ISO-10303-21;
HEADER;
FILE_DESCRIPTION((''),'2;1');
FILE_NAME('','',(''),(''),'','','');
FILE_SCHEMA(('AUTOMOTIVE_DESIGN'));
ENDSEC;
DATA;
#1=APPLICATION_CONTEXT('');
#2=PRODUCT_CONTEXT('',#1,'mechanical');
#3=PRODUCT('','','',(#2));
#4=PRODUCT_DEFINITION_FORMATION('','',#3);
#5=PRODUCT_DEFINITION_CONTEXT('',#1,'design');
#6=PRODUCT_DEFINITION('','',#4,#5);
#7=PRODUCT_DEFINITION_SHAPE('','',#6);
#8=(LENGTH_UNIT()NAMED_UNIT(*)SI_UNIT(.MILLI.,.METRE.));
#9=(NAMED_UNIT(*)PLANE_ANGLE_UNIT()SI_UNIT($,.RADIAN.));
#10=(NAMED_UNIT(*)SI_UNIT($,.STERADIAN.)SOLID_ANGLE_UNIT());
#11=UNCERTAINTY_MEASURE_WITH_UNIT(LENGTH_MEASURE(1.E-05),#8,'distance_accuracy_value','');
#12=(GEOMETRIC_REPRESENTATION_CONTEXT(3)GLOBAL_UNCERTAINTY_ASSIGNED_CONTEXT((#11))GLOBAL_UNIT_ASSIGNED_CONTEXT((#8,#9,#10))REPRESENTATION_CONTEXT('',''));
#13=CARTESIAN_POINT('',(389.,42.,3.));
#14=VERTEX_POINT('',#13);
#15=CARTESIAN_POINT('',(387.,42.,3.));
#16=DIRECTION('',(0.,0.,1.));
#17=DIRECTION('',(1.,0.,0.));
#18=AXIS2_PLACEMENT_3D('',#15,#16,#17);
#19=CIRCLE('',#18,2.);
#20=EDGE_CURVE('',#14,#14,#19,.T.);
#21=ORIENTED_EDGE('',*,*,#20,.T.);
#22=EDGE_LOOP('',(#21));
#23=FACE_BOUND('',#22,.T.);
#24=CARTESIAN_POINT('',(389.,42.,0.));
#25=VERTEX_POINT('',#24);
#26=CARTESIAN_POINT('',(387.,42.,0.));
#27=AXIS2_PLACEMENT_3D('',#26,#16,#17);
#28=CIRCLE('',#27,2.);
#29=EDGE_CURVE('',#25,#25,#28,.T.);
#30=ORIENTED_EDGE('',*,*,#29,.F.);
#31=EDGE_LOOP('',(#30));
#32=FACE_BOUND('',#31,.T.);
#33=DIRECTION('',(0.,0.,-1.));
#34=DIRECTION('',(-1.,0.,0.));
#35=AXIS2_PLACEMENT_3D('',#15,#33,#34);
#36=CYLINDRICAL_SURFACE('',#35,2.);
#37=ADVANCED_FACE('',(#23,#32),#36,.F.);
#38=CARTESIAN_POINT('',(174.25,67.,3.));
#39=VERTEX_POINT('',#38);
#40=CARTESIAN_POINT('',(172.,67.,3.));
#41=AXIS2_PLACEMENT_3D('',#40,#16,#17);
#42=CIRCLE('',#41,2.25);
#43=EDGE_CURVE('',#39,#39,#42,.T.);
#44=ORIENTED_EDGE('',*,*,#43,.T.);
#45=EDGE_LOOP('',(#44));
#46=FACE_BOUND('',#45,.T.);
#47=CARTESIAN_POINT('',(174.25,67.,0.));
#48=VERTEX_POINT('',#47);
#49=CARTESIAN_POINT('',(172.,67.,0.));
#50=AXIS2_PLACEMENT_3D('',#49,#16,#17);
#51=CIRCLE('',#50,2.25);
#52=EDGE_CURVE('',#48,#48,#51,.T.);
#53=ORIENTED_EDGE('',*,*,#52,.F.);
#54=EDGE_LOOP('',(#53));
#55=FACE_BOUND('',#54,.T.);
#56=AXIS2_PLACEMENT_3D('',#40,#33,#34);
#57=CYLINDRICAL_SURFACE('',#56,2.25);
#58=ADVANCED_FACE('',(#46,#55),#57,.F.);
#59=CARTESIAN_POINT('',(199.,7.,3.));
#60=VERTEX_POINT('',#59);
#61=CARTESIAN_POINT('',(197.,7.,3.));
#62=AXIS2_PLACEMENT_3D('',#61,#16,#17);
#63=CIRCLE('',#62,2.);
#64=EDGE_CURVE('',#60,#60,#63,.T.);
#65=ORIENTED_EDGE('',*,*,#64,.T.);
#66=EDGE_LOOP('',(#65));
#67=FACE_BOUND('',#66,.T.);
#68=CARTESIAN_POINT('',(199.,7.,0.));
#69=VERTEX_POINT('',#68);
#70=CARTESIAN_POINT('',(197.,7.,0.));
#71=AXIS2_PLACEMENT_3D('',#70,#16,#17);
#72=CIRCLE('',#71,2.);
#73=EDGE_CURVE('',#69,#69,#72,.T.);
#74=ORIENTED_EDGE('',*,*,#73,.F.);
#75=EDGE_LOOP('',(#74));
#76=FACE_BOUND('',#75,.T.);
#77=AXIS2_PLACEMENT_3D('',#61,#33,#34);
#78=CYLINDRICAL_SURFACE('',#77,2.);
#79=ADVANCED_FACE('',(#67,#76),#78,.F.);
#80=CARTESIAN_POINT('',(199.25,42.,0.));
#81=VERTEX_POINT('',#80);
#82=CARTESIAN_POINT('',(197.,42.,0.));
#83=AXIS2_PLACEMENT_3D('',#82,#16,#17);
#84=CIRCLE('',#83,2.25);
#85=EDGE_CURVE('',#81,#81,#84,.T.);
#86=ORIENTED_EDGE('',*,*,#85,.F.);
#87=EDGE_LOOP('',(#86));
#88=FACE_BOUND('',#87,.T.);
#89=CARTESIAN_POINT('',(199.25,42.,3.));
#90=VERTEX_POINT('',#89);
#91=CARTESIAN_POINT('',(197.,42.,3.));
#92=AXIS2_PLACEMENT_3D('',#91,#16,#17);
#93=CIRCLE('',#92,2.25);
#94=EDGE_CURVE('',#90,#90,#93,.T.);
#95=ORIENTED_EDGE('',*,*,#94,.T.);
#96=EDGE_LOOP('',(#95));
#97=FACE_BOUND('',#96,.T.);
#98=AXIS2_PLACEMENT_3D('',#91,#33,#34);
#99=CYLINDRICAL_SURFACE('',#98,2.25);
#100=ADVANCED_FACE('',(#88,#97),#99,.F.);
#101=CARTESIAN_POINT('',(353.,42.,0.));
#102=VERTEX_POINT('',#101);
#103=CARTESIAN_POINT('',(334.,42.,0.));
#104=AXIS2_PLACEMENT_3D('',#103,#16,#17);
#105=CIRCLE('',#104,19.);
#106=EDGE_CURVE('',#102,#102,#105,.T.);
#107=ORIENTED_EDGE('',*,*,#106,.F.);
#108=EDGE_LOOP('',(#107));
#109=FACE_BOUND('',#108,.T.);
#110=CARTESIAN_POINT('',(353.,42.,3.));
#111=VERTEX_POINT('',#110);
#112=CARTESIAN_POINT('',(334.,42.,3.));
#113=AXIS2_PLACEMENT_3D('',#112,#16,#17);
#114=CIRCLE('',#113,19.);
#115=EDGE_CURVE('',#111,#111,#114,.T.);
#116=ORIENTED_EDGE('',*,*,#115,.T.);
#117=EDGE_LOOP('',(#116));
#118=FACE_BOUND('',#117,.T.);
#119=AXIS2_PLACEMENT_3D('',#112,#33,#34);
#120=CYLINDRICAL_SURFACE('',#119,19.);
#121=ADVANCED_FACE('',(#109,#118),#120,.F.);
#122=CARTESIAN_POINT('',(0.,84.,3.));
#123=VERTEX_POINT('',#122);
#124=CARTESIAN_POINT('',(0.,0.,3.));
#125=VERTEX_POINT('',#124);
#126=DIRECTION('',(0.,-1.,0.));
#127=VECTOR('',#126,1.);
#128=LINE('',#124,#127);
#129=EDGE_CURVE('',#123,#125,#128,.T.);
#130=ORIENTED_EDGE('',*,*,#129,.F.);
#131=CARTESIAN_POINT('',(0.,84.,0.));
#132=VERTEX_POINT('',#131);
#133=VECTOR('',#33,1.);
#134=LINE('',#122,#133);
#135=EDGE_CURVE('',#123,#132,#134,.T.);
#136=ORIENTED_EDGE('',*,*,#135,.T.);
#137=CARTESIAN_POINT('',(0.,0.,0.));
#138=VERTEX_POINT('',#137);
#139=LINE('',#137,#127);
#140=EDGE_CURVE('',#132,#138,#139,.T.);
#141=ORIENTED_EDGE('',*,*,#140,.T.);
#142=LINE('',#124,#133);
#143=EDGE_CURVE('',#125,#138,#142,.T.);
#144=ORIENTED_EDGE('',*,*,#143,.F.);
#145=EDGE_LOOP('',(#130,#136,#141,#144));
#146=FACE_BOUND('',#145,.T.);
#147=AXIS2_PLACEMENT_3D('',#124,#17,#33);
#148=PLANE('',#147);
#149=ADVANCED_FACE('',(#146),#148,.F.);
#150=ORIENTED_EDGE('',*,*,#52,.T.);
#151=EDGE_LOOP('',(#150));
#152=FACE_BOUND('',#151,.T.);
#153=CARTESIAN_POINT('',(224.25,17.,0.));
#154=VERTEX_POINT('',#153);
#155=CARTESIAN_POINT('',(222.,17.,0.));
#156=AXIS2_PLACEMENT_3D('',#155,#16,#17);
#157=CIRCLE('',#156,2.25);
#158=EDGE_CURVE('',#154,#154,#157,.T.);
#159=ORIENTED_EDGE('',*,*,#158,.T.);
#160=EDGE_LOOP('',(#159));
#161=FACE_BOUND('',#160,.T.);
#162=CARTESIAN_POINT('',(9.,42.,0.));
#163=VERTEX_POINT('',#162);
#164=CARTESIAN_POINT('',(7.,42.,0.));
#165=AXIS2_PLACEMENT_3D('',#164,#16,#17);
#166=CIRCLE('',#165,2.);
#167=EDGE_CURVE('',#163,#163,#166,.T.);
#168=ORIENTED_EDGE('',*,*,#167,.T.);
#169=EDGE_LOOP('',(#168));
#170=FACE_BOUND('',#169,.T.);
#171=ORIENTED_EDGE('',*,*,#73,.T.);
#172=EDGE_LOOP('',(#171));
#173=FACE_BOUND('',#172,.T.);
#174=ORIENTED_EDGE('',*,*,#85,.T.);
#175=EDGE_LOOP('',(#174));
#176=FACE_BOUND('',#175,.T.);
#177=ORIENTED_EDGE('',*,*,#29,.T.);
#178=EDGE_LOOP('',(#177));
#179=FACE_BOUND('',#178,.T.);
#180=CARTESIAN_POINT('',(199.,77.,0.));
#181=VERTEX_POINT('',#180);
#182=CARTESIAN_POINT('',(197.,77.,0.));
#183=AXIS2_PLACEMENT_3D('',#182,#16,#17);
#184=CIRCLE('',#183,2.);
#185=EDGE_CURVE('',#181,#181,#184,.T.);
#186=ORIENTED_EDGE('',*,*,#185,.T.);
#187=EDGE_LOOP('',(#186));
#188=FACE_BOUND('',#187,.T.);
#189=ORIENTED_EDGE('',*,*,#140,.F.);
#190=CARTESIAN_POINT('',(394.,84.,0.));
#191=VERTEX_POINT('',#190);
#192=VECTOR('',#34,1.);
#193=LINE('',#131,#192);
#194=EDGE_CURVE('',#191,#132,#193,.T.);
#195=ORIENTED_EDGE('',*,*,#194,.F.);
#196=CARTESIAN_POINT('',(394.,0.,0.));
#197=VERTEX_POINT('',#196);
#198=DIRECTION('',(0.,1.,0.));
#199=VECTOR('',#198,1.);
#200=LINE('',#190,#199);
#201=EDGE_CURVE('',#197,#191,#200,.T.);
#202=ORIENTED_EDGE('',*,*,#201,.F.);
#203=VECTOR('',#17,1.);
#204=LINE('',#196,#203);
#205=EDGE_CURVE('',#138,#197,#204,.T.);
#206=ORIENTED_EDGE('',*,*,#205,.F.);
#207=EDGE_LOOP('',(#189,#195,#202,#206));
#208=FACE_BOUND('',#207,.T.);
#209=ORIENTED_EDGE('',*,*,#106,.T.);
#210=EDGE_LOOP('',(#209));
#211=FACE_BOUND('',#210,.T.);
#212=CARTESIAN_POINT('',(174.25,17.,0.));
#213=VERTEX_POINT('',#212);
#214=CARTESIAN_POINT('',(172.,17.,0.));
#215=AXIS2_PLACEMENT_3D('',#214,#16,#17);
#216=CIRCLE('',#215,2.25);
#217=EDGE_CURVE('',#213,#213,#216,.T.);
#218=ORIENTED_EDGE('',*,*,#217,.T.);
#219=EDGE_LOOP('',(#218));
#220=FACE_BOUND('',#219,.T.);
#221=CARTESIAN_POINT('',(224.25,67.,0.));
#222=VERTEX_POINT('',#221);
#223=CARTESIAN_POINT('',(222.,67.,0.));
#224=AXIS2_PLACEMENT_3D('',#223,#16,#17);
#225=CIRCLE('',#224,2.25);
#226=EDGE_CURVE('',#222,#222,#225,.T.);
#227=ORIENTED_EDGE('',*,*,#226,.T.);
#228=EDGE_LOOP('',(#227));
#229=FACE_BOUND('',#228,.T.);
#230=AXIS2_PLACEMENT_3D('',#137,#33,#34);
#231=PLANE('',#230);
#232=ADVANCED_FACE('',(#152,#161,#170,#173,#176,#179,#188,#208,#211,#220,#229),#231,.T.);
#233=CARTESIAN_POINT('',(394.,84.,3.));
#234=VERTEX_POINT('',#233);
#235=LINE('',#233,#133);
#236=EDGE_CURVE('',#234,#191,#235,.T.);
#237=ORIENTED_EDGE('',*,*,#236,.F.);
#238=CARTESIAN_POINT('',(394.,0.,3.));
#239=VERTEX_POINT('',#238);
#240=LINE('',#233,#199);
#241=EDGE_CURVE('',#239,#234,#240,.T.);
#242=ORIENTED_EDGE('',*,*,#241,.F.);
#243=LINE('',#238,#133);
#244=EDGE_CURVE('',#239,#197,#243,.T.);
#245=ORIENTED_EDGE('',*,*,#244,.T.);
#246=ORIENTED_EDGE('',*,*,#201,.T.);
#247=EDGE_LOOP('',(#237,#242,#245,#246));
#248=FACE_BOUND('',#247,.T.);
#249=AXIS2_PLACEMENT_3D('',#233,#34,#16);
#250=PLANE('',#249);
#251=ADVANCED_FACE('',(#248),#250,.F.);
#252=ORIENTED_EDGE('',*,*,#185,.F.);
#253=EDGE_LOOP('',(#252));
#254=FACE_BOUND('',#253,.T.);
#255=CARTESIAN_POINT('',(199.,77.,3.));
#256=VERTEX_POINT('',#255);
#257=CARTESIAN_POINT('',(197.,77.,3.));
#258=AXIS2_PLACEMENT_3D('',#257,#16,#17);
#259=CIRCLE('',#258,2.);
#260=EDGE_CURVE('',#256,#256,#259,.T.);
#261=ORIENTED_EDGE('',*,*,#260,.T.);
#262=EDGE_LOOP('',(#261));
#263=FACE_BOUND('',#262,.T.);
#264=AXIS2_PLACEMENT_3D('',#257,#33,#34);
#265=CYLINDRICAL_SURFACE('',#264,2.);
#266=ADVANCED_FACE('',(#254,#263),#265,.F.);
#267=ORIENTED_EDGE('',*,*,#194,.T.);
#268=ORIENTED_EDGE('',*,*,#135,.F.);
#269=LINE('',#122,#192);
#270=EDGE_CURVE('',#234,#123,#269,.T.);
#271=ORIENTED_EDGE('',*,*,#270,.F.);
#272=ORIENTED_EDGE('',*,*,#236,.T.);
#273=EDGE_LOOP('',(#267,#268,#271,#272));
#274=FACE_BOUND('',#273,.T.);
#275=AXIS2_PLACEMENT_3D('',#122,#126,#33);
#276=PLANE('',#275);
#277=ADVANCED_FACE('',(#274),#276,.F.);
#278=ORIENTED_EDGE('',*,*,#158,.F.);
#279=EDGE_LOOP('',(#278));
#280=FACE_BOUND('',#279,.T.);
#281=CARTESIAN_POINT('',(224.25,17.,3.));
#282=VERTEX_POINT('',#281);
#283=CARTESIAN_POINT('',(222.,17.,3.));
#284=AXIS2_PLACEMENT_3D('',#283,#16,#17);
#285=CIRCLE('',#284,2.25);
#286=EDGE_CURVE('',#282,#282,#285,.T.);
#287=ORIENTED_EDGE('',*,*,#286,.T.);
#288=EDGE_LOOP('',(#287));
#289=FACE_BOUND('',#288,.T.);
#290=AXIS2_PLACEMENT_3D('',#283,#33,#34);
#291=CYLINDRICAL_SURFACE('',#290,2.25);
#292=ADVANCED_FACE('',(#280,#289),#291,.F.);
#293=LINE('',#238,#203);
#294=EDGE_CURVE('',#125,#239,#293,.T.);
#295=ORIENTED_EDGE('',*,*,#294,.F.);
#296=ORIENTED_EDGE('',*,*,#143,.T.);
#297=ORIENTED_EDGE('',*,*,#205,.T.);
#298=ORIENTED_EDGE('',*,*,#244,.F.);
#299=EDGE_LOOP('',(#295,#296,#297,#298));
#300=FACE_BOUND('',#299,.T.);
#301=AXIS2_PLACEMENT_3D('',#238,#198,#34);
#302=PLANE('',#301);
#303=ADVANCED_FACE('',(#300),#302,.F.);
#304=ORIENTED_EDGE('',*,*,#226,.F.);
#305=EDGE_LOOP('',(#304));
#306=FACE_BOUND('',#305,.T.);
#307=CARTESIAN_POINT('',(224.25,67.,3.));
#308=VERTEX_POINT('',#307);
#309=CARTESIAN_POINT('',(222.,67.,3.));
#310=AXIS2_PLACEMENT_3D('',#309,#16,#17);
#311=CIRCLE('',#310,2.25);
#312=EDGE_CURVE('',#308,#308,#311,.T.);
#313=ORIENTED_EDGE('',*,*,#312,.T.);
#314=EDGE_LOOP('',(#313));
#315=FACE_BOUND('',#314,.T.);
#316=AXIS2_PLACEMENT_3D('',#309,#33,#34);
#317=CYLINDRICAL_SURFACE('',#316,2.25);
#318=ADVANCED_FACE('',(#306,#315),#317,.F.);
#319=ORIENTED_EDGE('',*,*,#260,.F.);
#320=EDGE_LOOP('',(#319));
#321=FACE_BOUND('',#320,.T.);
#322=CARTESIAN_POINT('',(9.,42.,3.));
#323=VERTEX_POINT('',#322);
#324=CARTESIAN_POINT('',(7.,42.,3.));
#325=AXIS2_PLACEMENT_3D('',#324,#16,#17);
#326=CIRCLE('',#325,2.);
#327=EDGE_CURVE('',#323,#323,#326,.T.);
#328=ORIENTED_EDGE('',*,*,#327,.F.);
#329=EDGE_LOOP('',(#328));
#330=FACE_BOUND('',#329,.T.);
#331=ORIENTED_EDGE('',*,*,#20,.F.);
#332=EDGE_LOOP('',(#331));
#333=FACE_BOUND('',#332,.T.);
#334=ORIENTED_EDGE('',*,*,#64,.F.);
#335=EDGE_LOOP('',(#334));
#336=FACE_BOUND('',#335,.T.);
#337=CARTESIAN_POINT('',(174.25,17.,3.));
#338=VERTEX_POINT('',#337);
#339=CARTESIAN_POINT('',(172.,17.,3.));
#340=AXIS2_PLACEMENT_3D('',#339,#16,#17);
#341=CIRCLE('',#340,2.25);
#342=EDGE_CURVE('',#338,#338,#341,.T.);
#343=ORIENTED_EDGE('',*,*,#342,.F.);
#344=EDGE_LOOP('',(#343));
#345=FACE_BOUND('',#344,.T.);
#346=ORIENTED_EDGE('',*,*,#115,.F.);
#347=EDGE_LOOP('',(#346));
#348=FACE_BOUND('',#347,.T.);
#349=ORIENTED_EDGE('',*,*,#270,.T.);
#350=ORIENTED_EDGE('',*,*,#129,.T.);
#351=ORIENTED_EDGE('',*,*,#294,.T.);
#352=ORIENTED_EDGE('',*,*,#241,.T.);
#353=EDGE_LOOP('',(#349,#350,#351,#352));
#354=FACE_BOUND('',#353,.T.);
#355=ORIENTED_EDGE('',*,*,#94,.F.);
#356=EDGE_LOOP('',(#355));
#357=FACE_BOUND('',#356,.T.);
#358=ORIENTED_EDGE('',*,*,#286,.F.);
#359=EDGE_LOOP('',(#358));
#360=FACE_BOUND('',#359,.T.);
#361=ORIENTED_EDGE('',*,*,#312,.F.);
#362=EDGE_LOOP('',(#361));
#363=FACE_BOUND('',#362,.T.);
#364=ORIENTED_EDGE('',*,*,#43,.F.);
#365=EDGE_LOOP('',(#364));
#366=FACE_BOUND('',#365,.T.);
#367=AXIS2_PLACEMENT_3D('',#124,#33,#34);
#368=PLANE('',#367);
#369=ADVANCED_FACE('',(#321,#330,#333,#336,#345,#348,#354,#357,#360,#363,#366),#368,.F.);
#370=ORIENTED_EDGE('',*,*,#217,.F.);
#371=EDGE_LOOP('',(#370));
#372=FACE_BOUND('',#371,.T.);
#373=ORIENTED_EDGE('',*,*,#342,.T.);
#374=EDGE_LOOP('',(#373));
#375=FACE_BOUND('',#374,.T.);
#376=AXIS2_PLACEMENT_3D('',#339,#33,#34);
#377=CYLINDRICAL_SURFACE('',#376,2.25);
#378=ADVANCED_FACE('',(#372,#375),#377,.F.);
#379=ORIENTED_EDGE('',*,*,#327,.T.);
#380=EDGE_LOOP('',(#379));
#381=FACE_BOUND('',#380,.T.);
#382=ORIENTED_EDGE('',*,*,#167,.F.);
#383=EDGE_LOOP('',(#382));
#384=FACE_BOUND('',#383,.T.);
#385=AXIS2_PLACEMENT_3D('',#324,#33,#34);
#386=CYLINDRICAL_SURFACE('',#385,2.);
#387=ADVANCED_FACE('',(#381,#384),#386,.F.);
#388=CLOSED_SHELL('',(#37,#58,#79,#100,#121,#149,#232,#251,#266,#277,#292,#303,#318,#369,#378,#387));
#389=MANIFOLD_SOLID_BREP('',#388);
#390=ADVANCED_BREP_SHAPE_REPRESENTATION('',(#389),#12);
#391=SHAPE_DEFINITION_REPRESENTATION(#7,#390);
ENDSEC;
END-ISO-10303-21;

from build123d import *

# Parameters (mm, degrees)
SCHIZZO1_W                   = 394
SCHIZZO1_H                   = 84
SCHIZZO1_R                   = 2
SCHIZZO1_R_2                 = 2.25
SCHIZZO1_R_3                 = 19
ESTRUSIONE_ESTRUSIONE1_DEPTH = 3


with BuildPart() as part:
    # Schizzo1 → Estrusione-Estrusione1 (new body)
    with BuildSketch(Plane.XY):
        with Locations((197, 42)):
            Rectangle(SCHIZZO1_W, SCHIZZO1_H)
        with Locations((7, 42)):
            Circle(SCHIZZO1_R, mode=Mode.SUBTRACT)
        with Locations((197, 77)):
            Circle(SCHIZZO1_R, mode=Mode.SUBTRACT)
        with Locations((197, 7)):
            Circle(SCHIZZO1_R, mode=Mode.SUBTRACT)
        with Locations((387, 42)):
            Circle(SCHIZZO1_R, mode=Mode.SUBTRACT)
        with Locations((197, 42)):
            Circle(SCHIZZO1_R_2, mode=Mode.SUBTRACT)
        with Locations((172, 67)):
            Circle(SCHIZZO1_R_2, mode=Mode.SUBTRACT)
        with Locations((172, 17)):
            Circle(SCHIZZO1_R_2, mode=Mode.SUBTRACT)
        with Locations((222, 17)):
            Circle(SCHIZZO1_R_2, mode=Mode.SUBTRACT)
        with Locations((222, 67)):
            Circle(SCHIZZO1_R_2, mode=Mode.SUBTRACT)
        with Locations((334, 42)):
            Circle(SCHIZZO1_R_3, mode=Mode.SUBTRACT)
    extrude(amount=ESTRUSIONE_ESTRUSIONE1_DEPTH)


solid = part.part
